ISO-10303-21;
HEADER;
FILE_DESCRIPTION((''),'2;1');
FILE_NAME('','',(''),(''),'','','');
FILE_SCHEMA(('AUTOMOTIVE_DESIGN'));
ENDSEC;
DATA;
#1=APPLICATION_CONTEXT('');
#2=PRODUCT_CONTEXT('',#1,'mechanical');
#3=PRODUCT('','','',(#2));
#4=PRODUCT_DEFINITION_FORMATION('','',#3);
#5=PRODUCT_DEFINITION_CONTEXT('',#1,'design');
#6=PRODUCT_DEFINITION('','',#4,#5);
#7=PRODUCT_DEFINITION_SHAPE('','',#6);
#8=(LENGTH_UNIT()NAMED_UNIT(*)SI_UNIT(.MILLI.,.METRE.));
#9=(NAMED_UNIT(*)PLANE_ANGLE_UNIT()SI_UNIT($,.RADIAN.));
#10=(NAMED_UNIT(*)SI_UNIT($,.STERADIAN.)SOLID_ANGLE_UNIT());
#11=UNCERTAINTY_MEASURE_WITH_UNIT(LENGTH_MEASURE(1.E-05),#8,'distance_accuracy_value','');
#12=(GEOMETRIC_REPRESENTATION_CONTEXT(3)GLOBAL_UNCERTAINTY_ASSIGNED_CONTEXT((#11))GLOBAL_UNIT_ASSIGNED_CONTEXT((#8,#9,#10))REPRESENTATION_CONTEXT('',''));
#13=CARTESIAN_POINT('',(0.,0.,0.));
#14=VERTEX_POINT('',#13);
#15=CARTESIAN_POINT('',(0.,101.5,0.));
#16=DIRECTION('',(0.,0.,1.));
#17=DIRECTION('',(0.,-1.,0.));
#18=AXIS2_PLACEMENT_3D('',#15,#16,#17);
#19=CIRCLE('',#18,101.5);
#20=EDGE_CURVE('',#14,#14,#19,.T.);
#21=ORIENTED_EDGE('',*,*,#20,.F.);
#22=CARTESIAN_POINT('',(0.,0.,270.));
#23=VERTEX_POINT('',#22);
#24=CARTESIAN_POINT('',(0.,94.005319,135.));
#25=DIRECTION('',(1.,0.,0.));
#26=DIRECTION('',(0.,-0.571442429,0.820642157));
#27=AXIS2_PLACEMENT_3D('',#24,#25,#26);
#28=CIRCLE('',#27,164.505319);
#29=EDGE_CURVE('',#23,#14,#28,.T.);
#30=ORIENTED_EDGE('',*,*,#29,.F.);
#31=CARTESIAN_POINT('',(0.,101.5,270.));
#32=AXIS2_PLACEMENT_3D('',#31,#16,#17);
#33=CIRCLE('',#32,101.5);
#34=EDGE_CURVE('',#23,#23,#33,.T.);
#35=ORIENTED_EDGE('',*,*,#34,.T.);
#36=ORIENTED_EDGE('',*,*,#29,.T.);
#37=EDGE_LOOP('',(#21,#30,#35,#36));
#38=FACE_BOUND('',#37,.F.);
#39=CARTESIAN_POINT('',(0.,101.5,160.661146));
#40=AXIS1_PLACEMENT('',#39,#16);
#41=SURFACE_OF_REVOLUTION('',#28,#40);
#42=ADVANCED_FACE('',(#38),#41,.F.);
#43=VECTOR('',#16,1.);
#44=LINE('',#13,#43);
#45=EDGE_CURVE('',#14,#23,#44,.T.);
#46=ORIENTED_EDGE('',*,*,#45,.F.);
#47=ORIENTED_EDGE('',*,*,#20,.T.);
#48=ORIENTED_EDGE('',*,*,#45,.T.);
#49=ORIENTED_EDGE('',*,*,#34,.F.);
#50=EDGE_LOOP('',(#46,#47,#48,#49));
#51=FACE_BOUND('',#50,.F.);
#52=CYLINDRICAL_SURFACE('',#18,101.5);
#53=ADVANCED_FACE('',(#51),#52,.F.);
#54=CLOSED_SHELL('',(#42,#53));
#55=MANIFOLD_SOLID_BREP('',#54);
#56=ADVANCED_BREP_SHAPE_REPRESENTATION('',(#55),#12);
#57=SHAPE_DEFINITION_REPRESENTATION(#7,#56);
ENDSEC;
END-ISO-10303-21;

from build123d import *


with BuildPart() as f1:
    # F0 (on Right) → F1 (revolve)
    with BuildSketch(Plane.YZ):
        with BuildLine():
            Line((0, 0), (0, 270))
            ThreePointArc((0, 270), (-70.5, 135), (0, 0))
        make_face()
    revolve(axis=Axis((0, 101.5, 160.661146), (0, 0, 1)))


solid = f1.part
